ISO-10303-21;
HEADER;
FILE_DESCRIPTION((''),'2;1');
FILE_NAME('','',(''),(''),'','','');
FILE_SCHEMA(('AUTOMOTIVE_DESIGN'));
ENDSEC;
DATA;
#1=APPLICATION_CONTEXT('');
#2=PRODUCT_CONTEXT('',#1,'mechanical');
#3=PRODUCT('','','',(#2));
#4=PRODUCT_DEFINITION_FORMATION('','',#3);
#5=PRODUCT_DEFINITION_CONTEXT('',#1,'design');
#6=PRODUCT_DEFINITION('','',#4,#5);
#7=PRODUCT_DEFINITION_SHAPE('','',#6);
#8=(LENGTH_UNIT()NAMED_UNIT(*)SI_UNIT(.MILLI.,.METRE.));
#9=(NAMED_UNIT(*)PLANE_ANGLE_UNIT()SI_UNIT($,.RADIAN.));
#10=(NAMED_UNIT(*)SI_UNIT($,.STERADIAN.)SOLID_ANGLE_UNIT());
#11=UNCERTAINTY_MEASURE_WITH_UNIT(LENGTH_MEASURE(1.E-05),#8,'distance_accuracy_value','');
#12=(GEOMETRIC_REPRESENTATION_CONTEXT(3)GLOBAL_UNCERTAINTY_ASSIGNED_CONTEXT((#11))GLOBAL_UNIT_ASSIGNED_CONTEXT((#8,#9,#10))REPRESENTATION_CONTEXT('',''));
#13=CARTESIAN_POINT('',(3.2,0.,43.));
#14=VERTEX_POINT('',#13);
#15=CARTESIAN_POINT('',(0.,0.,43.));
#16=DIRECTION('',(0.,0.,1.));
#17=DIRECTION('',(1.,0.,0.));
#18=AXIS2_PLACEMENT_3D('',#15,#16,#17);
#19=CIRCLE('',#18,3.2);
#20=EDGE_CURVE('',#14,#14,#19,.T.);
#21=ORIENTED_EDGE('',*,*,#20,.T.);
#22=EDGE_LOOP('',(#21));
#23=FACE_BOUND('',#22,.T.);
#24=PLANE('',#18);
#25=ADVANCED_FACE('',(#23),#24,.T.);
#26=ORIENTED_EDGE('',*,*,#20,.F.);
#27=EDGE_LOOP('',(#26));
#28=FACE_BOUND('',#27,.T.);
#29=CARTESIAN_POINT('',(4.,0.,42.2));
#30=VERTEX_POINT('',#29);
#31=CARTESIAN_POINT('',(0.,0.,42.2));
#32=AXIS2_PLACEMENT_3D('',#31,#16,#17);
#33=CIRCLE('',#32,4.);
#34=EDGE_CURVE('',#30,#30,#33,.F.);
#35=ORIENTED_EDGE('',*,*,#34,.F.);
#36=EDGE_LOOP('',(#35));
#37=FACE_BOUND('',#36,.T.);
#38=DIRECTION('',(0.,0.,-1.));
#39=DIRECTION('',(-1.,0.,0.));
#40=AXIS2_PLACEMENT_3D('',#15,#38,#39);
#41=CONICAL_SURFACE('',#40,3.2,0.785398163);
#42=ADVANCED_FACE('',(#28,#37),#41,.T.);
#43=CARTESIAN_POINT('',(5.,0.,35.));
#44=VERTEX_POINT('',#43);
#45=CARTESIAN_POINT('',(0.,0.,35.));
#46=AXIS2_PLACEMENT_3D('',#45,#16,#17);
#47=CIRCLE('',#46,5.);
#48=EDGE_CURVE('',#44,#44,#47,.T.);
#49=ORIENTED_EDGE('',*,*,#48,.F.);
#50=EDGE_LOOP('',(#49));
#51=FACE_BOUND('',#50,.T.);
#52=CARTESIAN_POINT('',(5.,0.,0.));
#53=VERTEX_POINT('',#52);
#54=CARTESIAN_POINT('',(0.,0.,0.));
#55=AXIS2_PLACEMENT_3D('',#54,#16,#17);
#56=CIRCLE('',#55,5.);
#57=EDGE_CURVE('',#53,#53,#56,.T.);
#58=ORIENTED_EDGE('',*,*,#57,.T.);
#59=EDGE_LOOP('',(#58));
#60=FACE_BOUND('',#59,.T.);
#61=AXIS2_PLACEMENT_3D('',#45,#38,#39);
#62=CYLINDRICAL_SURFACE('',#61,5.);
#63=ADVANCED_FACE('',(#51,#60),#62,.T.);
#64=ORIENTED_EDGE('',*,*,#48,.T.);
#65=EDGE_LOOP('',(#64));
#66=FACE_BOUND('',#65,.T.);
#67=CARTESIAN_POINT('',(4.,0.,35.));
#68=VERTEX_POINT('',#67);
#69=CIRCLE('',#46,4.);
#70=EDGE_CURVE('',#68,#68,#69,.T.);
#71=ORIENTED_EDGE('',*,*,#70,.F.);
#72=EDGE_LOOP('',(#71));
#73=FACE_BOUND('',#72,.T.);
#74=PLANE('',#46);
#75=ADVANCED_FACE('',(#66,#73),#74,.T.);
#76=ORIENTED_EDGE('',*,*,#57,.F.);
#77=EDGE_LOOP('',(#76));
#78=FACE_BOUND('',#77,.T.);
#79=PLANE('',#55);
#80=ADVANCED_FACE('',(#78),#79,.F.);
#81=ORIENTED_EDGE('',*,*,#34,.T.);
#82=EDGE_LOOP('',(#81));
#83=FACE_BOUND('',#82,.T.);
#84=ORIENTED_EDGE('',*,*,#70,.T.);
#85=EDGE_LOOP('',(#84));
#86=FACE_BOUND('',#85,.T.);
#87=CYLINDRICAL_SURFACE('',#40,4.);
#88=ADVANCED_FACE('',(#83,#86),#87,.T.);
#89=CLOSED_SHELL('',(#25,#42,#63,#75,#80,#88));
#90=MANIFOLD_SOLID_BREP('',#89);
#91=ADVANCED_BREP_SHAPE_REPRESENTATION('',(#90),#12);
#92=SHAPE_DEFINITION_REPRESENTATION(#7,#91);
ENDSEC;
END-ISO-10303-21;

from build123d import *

# Parameters (mm, degrees)
ESQUISSE1_R          = 5
BASE_EXTRUSION_DEPTH = 35
ESQUISSE4_R          = 4
BOSS_EXTRU_1_DEPTH   = 8
CHANFREIN1_SIZE      = 0.8


with BuildPart() as part:
    # Esquisse1 → Base-Extrusion (new body)
    with BuildSketch(Plane.XY):
        Circle(ESQUISSE1_R)
    extrude(amount=BASE_EXTRUSION_DEPTH)

    # Esquisse4 → Boss.-Extru.1 (add)
    with BuildSketch(Plane.XY.offset(35)):
        Circle(ESQUISSE4_R)
    extrude(amount=BOSS_EXTRU_1_DEPTH)

    # Chanfrein1
    chanfrein1_edges = [part.edges().sort_by_distance(p)[0] for p in [
        (-4, 0, 43),
    ]]
    chamfer(chanfrein1_edges, length=CHANFREIN1_SIZE)


solid = part.part
